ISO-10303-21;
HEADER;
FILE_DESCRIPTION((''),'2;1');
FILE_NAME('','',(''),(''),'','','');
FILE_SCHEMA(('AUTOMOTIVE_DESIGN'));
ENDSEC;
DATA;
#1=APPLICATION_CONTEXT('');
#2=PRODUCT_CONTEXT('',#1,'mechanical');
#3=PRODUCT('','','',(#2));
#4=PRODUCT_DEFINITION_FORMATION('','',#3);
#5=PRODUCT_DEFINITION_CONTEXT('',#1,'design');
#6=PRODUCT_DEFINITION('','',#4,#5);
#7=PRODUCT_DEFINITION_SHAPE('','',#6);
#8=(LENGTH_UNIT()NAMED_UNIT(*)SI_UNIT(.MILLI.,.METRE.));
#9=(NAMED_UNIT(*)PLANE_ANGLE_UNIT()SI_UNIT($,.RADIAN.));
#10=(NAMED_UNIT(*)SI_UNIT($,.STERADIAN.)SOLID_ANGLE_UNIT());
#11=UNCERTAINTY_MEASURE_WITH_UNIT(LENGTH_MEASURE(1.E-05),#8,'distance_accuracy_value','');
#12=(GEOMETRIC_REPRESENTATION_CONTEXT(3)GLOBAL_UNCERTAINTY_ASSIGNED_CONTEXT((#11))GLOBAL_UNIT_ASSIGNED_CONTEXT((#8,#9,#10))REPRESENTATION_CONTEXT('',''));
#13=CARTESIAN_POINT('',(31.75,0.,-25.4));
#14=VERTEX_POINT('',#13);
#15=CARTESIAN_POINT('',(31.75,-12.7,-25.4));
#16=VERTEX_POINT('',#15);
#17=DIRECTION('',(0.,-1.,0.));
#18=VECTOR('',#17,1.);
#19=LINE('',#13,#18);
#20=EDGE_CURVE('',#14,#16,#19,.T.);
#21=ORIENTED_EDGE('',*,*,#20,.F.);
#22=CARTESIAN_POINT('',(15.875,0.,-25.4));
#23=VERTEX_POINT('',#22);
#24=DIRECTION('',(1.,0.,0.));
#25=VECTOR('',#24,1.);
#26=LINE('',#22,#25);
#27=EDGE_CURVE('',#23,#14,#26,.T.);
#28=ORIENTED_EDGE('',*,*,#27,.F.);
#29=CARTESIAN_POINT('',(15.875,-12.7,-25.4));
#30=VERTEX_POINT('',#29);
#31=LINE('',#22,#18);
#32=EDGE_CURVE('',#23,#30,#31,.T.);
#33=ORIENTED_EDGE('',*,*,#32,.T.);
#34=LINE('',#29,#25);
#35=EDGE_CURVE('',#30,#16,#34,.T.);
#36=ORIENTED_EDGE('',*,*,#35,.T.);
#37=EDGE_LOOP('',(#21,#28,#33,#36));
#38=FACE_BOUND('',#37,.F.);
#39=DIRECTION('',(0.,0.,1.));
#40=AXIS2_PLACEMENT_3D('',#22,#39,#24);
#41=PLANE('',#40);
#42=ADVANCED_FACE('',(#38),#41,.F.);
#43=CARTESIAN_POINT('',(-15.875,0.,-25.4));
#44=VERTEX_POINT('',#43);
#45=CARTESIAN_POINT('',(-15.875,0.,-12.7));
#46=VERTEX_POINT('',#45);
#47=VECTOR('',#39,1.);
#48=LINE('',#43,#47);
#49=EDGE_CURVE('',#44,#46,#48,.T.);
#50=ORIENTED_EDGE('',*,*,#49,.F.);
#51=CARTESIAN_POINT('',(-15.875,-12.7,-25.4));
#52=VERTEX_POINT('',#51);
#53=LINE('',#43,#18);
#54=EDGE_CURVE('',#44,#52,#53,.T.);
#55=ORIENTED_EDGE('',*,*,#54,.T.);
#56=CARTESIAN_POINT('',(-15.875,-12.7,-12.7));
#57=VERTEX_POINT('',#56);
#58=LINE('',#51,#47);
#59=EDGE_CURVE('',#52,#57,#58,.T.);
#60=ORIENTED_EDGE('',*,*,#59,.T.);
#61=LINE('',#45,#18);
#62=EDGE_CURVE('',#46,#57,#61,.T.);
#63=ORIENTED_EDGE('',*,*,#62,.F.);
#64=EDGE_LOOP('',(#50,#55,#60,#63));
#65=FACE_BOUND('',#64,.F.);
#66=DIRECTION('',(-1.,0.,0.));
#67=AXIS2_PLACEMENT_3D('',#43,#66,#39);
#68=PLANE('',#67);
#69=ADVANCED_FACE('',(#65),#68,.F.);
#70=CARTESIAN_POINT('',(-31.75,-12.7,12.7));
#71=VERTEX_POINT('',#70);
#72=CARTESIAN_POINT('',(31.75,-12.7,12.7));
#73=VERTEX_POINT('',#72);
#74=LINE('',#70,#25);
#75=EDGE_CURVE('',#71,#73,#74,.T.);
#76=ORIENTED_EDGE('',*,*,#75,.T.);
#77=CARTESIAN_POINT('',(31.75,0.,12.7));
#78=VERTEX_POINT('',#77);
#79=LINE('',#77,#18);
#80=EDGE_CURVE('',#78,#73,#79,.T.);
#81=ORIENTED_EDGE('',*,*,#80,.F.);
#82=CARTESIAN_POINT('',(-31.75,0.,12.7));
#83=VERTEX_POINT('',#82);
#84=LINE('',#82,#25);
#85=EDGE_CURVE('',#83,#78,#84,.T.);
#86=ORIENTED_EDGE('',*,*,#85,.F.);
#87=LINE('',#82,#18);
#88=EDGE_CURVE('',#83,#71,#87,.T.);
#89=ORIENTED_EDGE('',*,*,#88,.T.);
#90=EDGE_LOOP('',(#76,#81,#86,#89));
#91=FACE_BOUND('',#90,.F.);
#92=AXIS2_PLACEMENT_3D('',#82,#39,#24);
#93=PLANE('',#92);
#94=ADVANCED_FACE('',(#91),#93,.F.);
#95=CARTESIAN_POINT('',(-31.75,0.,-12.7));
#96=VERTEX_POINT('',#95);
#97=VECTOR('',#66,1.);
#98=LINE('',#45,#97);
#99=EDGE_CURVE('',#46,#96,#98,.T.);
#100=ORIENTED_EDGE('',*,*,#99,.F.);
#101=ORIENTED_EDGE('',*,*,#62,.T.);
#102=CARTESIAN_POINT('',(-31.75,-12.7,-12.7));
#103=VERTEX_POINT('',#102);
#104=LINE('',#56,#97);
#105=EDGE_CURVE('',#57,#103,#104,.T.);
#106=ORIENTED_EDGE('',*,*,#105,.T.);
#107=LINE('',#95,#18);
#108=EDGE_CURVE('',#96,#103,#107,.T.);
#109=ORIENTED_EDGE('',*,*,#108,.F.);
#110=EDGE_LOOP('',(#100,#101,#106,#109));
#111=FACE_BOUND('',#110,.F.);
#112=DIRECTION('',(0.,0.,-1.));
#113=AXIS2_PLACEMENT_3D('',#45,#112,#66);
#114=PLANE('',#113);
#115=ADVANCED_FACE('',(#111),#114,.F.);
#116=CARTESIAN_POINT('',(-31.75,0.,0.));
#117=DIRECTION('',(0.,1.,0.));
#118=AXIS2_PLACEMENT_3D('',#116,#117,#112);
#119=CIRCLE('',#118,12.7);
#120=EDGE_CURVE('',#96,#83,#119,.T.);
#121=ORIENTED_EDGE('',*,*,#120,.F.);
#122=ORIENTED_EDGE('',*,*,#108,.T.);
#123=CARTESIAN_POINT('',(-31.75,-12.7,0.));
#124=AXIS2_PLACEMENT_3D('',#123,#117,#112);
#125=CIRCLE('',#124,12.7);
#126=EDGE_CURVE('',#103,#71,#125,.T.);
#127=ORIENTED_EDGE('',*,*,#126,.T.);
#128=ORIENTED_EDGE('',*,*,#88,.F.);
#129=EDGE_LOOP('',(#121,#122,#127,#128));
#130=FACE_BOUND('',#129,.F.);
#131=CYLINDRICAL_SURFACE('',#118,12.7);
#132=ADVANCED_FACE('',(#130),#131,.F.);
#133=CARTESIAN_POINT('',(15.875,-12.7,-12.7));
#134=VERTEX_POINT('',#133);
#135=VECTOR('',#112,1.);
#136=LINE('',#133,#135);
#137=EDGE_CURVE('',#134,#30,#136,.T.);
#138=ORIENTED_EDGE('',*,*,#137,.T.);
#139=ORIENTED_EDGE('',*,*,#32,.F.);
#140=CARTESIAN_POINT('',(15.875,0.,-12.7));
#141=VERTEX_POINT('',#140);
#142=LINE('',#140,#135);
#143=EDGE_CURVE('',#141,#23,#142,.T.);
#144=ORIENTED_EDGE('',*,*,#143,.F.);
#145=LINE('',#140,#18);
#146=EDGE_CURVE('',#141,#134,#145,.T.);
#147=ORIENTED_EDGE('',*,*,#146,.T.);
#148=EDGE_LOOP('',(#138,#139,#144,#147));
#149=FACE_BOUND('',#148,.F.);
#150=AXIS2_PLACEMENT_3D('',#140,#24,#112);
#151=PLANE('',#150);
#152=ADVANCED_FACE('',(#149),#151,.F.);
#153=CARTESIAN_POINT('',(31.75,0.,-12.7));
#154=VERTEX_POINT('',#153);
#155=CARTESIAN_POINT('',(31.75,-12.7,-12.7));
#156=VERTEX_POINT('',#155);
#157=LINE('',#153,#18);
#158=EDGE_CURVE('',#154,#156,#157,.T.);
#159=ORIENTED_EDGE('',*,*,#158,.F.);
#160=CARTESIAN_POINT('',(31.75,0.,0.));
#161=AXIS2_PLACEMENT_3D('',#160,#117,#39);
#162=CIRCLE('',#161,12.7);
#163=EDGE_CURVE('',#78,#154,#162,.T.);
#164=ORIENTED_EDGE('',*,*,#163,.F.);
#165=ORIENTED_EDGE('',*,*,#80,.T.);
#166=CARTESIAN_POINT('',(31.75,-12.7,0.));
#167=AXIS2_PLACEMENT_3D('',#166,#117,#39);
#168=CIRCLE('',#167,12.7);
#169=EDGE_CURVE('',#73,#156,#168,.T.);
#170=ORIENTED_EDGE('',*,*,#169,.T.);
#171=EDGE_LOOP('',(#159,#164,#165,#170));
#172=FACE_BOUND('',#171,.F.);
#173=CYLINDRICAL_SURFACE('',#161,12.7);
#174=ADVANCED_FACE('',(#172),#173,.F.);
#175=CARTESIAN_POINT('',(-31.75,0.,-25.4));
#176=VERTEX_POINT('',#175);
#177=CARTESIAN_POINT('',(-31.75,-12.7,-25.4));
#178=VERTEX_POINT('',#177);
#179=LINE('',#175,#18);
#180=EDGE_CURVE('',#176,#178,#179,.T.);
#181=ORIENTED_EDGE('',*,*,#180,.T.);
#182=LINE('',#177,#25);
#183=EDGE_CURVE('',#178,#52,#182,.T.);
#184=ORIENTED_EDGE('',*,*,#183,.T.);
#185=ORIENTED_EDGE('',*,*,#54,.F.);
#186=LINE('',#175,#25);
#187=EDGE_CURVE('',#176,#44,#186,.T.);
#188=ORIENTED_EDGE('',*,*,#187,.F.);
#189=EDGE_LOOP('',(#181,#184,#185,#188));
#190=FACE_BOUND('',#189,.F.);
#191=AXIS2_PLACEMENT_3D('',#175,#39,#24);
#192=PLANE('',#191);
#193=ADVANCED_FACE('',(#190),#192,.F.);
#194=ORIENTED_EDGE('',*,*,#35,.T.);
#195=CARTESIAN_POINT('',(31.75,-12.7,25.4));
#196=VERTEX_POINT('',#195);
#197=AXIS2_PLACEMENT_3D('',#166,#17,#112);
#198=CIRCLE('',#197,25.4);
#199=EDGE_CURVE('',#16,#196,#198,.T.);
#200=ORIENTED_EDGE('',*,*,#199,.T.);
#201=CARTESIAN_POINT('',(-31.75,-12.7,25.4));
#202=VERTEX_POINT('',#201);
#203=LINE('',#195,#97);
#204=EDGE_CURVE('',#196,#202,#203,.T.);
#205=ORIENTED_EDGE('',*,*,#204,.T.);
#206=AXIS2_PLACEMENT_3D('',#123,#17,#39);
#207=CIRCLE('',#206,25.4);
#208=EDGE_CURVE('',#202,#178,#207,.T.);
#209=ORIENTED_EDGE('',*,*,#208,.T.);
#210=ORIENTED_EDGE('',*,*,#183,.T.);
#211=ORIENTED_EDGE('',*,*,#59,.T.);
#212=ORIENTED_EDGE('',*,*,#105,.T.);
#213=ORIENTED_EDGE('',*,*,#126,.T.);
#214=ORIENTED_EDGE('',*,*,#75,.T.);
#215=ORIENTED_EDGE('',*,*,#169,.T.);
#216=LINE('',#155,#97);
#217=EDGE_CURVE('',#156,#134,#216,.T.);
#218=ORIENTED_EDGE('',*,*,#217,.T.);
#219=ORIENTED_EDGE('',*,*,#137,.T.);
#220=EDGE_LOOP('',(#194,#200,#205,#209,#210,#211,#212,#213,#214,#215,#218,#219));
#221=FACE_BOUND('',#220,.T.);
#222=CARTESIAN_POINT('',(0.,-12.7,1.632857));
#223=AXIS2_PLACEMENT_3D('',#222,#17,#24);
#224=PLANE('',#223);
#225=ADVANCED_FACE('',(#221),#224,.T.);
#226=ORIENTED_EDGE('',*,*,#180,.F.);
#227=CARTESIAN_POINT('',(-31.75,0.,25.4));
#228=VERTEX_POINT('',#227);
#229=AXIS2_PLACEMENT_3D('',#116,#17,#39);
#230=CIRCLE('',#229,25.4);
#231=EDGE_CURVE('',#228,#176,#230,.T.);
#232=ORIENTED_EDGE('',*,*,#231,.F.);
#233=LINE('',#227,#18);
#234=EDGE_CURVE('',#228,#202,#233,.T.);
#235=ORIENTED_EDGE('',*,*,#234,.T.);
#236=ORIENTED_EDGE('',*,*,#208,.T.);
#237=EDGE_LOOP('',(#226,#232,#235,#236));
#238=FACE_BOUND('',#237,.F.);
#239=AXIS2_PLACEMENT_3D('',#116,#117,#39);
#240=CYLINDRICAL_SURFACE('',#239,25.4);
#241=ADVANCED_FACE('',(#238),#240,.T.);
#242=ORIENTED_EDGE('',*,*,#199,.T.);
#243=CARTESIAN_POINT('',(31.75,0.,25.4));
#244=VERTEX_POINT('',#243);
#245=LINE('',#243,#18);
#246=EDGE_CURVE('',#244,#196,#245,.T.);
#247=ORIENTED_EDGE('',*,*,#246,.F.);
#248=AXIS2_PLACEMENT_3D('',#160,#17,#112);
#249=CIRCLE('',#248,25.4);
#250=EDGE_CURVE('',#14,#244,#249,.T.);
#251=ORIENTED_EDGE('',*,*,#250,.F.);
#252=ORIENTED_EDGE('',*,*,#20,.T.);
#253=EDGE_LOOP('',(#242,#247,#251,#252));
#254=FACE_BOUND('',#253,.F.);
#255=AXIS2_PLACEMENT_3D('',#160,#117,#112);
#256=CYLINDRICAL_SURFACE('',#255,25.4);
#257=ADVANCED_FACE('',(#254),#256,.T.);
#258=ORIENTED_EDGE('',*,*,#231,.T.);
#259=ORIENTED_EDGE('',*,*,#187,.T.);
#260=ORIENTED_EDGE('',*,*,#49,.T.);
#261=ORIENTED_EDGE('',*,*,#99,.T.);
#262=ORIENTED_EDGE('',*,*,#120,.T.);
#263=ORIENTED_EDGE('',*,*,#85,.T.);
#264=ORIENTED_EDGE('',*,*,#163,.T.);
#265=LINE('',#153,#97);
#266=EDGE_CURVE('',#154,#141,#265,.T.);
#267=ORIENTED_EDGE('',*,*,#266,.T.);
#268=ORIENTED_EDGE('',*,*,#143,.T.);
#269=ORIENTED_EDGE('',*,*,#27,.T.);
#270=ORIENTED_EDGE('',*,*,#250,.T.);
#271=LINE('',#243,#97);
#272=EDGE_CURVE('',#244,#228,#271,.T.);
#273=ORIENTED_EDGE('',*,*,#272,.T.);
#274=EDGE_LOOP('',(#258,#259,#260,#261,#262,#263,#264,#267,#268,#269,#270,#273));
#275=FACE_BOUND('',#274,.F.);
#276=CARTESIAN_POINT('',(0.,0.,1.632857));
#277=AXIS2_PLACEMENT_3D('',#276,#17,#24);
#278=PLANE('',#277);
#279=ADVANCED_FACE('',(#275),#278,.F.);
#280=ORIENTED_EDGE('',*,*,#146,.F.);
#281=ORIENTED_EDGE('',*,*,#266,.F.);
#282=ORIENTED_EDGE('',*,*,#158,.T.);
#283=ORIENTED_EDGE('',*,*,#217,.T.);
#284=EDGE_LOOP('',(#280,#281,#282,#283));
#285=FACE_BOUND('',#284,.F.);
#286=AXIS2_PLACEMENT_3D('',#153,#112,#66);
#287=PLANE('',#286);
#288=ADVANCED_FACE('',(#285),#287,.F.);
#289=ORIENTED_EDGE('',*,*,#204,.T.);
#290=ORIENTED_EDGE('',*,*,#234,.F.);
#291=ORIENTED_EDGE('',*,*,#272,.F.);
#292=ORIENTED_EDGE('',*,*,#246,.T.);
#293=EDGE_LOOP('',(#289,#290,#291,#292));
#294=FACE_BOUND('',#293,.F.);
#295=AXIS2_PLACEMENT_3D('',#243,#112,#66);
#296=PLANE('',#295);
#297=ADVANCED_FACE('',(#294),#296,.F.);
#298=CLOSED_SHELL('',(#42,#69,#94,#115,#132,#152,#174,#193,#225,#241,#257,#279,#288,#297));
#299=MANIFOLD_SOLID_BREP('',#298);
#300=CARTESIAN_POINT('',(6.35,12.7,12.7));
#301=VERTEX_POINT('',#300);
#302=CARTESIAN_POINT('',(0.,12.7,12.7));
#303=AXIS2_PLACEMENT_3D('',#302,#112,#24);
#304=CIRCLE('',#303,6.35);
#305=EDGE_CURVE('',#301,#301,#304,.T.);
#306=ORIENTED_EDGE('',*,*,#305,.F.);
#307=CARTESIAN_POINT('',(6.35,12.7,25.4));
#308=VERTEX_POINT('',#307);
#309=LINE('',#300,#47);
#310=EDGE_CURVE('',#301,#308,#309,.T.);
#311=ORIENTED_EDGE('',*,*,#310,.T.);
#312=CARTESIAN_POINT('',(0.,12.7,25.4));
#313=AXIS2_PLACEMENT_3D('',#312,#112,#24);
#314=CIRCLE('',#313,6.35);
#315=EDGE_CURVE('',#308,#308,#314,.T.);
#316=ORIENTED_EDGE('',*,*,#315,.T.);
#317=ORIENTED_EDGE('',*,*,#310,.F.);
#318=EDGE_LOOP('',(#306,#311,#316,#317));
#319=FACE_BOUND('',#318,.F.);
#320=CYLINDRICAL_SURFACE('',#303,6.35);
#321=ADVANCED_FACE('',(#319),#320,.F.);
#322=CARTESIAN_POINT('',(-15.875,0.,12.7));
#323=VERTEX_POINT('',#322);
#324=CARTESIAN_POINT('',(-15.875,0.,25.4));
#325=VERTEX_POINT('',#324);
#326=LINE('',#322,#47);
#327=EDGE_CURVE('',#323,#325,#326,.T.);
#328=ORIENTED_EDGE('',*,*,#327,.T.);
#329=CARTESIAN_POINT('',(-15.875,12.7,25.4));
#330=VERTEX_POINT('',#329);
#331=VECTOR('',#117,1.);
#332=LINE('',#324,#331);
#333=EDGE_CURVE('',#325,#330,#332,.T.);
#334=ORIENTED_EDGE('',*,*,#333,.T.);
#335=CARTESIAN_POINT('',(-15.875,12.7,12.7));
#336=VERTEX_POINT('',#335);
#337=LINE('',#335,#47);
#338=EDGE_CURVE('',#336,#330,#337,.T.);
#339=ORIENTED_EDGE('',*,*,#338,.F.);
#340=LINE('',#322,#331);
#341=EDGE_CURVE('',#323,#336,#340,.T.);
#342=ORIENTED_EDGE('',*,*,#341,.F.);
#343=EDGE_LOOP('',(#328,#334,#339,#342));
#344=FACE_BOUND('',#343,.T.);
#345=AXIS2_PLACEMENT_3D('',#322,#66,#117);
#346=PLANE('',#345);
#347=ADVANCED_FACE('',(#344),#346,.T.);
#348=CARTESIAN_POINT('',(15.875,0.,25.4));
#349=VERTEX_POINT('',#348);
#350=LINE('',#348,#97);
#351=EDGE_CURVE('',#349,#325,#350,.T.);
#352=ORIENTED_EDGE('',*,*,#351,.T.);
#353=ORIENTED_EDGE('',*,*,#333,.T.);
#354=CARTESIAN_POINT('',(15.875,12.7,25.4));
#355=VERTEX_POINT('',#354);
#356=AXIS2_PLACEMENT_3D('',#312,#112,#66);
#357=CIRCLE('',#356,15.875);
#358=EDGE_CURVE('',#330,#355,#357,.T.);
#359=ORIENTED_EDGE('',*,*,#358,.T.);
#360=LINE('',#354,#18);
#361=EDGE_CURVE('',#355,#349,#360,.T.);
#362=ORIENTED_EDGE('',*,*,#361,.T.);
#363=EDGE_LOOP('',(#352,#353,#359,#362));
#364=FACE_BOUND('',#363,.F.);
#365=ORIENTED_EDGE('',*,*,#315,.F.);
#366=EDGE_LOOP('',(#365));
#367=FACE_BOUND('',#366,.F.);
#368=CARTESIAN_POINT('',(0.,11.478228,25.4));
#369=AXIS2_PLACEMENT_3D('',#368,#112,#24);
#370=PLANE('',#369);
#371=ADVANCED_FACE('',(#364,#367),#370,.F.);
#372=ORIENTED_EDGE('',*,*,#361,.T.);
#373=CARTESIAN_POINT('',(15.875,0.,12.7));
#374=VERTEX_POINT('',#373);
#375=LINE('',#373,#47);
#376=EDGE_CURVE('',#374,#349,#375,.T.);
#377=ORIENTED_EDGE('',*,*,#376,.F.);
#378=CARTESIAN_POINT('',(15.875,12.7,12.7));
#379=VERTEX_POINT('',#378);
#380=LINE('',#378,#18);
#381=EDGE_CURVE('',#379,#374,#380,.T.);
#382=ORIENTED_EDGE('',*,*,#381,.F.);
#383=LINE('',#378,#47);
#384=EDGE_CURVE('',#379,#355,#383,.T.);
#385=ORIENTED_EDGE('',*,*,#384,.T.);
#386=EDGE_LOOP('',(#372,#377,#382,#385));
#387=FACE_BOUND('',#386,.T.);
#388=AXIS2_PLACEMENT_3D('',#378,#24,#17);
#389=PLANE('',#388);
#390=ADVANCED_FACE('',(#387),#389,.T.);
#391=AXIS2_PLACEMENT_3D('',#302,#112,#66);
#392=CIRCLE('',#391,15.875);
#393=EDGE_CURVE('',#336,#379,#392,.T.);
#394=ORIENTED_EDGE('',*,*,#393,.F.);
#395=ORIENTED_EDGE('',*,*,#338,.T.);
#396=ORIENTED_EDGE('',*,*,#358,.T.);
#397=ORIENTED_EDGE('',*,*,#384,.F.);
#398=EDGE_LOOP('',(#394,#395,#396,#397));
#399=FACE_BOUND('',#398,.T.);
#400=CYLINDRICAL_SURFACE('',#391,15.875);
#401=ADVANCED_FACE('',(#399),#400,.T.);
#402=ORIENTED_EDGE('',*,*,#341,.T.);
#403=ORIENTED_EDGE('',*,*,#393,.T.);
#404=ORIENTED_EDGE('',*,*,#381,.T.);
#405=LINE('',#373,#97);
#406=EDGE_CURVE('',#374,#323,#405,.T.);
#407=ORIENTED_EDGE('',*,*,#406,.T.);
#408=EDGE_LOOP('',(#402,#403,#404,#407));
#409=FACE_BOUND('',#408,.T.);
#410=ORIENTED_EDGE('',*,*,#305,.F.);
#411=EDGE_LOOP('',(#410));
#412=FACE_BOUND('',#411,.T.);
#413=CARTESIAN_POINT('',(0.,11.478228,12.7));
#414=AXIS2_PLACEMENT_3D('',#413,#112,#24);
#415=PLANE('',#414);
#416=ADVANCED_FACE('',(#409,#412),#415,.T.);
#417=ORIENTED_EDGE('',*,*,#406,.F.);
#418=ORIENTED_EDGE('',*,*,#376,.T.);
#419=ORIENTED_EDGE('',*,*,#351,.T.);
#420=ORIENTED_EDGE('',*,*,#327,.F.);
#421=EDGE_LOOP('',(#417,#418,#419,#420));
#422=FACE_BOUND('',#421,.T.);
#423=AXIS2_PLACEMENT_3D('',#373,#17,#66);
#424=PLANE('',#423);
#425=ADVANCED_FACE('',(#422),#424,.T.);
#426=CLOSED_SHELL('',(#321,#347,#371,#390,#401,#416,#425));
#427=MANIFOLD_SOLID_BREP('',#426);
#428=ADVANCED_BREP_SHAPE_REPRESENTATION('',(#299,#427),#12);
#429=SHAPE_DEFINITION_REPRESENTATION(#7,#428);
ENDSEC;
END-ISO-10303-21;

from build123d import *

# Parameters (mm, degrees)
F1_DEPTH = 12.7
F2_R     = 6.35
F3_DEPTH = 12.7


with BuildPart() as f1:
    # F0 (on Front) → F1 (new body)
    with BuildSketch(Plane.XZ):
        with BuildLine():
            Line((15.875, -25.4), (31.75, -25.4))
            ThreePointArc((31.75, -25.4), (57.15, 0), (31.75, 25.4))
            Line((31.75, 25.4), (0, 25.4))
            Line((0, 25.4), (-31.75, 25.4))
            ThreePointArc((-31.75, 25.4), (-57.15, 0), (-31.75, -25.4))
            Line((-31.75, -25.4), (-15.875, -25.4))
            Line((-15.875, -25.4), (-15.875, -12.7))
            Line((-15.875, -12.7), (-31.75, -12.7))
            ThreePointArc((-31.75, -12.7), (-44.45, 0), (-31.75, 12.7))
            Line((-31.75, 12.7), (0, 12.7))
            Line((0, 12.7), (31.75, 12.7))
            ThreePointArc((31.75, 12.7), (44.45, 0), (31.75, -12.7))
            Line((31.75, -12.7), (15.875, -12.7))
            Line((15.875, -12.7), (15.875, -25.4))
        make_face()
    extrude(amount=F1_DEPTH)


with BuildPart() as f3:
    # F2 (on face) → F3 (new body)
    with BuildSketch(Plane(origin=(0, 0, 12.7), x_dir=(1, 0, 0), z_dir=(0, 0, -1))):
        with BuildLine():
            Line((-15.875, 0), (-15.875, -12.7))
            ThreePointArc((-15.875, -12.7), (0, -28.575), (15.875, -12.7))
            Line((15.875, -12.7), (15.875, 0))
            Line((15.875, 0), (-15.875, 0))
        make_face()
        with Locations((0, -12.7)):
            Circle(F2_R, mode=Mode.SUBTRACT)
    extrude(amount=-F3_DEPTH)


solid = Compound([f1.part, f3.part])
